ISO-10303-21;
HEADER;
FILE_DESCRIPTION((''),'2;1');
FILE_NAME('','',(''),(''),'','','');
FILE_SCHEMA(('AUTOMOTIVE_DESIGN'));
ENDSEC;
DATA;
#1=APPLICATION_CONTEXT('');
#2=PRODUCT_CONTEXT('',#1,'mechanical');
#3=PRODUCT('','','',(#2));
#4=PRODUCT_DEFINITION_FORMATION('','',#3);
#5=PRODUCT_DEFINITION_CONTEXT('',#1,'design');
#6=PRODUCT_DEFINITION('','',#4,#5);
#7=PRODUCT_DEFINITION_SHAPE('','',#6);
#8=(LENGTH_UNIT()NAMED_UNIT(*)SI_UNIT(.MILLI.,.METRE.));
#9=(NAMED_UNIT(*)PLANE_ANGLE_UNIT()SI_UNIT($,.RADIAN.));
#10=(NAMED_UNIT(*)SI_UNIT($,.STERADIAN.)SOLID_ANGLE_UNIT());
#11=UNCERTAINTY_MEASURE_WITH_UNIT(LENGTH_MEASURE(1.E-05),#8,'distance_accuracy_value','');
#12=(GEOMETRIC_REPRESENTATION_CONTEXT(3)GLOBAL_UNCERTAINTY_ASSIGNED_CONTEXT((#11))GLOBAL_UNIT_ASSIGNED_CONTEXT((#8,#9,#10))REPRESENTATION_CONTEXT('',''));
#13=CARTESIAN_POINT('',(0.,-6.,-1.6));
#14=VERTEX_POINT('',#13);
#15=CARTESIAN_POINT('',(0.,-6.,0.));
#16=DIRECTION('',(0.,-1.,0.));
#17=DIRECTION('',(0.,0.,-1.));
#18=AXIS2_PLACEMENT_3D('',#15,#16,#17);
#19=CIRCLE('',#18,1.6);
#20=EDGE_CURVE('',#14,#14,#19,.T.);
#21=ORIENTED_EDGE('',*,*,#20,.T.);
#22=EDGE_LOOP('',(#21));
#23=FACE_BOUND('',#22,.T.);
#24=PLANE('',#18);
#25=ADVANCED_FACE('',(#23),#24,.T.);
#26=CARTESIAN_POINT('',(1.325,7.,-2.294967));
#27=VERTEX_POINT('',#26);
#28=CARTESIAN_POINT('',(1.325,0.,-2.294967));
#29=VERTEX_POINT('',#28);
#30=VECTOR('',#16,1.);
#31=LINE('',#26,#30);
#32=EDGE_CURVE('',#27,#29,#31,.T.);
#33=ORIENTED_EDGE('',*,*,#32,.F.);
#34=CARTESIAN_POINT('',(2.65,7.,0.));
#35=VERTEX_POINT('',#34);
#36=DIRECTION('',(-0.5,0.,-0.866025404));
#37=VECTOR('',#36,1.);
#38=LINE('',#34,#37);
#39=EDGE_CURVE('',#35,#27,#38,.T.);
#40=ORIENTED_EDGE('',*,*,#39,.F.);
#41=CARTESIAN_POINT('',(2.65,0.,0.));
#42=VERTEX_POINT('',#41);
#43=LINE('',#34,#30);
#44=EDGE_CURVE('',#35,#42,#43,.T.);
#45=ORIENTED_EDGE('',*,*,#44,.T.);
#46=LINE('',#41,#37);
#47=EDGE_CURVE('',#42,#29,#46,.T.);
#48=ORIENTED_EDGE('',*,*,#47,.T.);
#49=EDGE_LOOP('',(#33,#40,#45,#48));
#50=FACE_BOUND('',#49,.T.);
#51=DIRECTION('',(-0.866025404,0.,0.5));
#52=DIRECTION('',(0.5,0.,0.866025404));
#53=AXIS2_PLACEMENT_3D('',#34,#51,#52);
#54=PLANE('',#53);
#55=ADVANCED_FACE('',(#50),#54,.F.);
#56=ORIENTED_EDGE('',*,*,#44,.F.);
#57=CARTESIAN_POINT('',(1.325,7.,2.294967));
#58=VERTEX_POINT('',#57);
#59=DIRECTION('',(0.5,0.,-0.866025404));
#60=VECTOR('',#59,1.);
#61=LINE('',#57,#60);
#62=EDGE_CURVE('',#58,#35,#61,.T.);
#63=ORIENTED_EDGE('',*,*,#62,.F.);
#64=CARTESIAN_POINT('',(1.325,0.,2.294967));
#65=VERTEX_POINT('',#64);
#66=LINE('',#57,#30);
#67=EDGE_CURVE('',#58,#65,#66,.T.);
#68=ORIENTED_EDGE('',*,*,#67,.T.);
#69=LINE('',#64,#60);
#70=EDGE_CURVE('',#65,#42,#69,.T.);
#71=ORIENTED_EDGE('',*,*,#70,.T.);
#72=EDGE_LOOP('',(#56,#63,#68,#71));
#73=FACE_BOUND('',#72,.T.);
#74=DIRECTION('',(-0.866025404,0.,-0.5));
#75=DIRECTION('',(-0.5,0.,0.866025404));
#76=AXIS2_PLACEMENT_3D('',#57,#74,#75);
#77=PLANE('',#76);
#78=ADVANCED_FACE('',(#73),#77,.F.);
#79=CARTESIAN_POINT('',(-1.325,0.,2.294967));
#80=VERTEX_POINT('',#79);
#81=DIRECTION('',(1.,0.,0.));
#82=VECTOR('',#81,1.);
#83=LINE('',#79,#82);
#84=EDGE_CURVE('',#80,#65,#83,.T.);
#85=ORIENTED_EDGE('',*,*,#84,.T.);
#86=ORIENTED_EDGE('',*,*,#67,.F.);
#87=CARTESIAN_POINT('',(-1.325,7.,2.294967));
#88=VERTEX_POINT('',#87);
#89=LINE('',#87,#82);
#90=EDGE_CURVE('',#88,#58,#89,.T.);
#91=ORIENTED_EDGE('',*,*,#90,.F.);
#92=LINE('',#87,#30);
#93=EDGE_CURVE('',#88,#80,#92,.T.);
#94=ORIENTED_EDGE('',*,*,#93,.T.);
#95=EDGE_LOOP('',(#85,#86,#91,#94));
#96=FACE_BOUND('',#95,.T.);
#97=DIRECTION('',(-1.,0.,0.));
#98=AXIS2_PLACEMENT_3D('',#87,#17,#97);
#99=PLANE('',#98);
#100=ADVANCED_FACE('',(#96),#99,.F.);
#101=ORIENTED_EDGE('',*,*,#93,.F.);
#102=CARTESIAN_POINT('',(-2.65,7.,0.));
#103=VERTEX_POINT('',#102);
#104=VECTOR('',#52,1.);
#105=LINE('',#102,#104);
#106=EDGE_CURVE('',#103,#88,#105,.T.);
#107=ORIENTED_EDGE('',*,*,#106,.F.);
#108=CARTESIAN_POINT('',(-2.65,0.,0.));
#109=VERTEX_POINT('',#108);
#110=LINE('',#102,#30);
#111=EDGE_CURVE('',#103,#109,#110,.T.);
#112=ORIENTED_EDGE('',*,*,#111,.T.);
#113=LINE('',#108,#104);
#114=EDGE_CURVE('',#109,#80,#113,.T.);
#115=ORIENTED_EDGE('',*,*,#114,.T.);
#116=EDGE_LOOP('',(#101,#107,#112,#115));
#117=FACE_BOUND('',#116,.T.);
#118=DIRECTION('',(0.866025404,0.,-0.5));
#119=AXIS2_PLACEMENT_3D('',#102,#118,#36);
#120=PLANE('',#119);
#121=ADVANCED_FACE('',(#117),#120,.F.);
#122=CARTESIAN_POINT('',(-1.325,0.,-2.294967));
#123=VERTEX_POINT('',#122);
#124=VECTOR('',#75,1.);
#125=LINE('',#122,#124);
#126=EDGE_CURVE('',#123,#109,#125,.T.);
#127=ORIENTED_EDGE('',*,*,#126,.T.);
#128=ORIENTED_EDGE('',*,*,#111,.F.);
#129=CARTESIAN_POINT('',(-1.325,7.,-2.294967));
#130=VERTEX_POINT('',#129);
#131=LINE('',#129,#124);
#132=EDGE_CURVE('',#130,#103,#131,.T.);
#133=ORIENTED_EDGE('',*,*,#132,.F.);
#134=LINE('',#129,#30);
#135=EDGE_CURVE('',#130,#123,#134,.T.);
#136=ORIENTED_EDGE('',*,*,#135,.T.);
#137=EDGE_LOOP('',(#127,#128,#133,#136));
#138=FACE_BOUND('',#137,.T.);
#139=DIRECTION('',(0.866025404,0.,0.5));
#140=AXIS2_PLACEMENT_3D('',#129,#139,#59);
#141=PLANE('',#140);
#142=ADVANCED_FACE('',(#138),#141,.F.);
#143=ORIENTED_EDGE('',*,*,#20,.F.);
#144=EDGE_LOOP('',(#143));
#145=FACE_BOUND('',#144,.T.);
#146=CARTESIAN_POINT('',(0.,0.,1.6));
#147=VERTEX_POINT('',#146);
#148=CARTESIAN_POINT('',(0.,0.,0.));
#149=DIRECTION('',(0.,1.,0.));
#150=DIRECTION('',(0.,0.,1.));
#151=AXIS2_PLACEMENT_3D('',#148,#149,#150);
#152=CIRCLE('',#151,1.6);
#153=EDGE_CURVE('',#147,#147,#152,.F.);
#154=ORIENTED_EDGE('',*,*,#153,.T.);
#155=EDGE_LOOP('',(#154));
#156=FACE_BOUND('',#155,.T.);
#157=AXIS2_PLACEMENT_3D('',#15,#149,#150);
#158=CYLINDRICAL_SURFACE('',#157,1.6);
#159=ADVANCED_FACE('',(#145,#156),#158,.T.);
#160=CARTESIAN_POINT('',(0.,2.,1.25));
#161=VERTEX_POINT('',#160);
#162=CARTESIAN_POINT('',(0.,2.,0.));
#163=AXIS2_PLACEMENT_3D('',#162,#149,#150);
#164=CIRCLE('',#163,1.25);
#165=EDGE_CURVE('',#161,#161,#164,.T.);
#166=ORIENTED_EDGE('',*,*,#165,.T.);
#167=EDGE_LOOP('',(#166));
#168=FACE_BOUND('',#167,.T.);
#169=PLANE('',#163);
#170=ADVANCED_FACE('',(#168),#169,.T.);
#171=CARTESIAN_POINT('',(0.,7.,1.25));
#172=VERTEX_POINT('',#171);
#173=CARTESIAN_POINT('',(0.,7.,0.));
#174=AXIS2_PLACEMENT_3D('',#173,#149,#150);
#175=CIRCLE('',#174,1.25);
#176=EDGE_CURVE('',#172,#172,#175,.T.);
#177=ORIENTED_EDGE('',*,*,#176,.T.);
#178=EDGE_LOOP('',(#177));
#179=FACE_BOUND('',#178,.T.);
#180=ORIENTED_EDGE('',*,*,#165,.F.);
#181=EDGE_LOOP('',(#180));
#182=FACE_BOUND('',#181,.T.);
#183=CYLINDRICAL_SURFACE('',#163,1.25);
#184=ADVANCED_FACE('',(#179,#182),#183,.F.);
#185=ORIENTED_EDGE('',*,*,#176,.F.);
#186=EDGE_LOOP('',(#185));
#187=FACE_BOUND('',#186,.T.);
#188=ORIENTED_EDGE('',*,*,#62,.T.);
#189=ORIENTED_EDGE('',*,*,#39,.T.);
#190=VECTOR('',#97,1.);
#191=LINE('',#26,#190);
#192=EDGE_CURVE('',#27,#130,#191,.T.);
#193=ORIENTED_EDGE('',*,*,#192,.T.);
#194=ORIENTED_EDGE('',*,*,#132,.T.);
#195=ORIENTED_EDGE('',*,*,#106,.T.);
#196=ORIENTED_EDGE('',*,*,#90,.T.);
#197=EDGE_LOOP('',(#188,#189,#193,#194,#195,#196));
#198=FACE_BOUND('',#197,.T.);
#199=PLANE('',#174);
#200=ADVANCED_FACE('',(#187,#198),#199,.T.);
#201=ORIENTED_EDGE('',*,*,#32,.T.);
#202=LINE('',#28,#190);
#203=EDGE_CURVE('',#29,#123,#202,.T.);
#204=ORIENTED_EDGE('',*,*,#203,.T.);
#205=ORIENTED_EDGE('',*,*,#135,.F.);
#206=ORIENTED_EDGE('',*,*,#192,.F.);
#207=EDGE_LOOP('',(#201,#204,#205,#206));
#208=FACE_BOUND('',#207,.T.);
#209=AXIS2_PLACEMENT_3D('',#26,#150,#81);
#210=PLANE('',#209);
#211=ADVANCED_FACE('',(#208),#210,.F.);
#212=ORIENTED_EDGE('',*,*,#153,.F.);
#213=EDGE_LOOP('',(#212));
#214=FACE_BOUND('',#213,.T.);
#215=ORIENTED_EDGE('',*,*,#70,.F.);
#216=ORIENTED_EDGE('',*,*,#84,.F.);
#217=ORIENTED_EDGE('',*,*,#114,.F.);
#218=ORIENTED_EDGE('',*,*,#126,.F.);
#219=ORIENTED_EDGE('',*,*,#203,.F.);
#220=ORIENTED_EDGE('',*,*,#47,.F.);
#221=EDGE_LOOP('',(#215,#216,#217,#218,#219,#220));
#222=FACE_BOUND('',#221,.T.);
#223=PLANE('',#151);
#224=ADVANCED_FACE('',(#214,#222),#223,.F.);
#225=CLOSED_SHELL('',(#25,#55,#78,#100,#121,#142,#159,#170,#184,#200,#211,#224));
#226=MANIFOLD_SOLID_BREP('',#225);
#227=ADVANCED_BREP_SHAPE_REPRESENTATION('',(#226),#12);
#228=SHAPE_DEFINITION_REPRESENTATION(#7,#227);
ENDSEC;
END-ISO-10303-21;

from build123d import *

# Parameters (mm, degrees)
EXTRUDE_1_DEPTH     = 7
SKETCH_6_R          = 1.6
EXTRUDE_2_DEPTH     = 6
SKETCH_7_R          = 1.25
CUT_EXTRUDE_1_DEPTH = 5


with BuildPart() as part:
    # 草图4 → 凸台-拉伸1 (new body)
    with BuildSketch(Plane(origin=(0, 0, 0), x_dir=(1, 0, 0), z_dir=(0, 1, 0))):
        Polygon((1.325, -2.29496732), (2.65, 0), (1.325, 2.29496732), (-1.325, 2.29496732), (-2.65, 0), (-1.325, -2.29496732), align=None)
    extrude(amount=EXTRUDE_1_DEPTH)

    # 草图6 → 凸台-拉伸2 (add)
    with BuildSketch(Plane(origin=(0, 0, 0), x_dir=(-1, 0, 0), z_dir=(0, -1, 0))):
        with Locations(Location((0, 0, 0), (0, 0, 270))):
            Circle(SKETCH_6_R)
    extrude(amount=EXTRUDE_2_DEPTH)

    # 草图7 → 切除-拉伸1 (cut)
    with BuildSketch(Plane(origin=(0, 7, 0), x_dir=(1, 0, 0), z_dir=(0, 1, 0))):
        with Locations(Location((0, 0, 0), (0, 0, 270))):
            Circle(SKETCH_7_R)
    extrude(amount=-CUT_EXTRUDE_1_DEPTH, mode=Mode.SUBTRACT)


solid = part.part
